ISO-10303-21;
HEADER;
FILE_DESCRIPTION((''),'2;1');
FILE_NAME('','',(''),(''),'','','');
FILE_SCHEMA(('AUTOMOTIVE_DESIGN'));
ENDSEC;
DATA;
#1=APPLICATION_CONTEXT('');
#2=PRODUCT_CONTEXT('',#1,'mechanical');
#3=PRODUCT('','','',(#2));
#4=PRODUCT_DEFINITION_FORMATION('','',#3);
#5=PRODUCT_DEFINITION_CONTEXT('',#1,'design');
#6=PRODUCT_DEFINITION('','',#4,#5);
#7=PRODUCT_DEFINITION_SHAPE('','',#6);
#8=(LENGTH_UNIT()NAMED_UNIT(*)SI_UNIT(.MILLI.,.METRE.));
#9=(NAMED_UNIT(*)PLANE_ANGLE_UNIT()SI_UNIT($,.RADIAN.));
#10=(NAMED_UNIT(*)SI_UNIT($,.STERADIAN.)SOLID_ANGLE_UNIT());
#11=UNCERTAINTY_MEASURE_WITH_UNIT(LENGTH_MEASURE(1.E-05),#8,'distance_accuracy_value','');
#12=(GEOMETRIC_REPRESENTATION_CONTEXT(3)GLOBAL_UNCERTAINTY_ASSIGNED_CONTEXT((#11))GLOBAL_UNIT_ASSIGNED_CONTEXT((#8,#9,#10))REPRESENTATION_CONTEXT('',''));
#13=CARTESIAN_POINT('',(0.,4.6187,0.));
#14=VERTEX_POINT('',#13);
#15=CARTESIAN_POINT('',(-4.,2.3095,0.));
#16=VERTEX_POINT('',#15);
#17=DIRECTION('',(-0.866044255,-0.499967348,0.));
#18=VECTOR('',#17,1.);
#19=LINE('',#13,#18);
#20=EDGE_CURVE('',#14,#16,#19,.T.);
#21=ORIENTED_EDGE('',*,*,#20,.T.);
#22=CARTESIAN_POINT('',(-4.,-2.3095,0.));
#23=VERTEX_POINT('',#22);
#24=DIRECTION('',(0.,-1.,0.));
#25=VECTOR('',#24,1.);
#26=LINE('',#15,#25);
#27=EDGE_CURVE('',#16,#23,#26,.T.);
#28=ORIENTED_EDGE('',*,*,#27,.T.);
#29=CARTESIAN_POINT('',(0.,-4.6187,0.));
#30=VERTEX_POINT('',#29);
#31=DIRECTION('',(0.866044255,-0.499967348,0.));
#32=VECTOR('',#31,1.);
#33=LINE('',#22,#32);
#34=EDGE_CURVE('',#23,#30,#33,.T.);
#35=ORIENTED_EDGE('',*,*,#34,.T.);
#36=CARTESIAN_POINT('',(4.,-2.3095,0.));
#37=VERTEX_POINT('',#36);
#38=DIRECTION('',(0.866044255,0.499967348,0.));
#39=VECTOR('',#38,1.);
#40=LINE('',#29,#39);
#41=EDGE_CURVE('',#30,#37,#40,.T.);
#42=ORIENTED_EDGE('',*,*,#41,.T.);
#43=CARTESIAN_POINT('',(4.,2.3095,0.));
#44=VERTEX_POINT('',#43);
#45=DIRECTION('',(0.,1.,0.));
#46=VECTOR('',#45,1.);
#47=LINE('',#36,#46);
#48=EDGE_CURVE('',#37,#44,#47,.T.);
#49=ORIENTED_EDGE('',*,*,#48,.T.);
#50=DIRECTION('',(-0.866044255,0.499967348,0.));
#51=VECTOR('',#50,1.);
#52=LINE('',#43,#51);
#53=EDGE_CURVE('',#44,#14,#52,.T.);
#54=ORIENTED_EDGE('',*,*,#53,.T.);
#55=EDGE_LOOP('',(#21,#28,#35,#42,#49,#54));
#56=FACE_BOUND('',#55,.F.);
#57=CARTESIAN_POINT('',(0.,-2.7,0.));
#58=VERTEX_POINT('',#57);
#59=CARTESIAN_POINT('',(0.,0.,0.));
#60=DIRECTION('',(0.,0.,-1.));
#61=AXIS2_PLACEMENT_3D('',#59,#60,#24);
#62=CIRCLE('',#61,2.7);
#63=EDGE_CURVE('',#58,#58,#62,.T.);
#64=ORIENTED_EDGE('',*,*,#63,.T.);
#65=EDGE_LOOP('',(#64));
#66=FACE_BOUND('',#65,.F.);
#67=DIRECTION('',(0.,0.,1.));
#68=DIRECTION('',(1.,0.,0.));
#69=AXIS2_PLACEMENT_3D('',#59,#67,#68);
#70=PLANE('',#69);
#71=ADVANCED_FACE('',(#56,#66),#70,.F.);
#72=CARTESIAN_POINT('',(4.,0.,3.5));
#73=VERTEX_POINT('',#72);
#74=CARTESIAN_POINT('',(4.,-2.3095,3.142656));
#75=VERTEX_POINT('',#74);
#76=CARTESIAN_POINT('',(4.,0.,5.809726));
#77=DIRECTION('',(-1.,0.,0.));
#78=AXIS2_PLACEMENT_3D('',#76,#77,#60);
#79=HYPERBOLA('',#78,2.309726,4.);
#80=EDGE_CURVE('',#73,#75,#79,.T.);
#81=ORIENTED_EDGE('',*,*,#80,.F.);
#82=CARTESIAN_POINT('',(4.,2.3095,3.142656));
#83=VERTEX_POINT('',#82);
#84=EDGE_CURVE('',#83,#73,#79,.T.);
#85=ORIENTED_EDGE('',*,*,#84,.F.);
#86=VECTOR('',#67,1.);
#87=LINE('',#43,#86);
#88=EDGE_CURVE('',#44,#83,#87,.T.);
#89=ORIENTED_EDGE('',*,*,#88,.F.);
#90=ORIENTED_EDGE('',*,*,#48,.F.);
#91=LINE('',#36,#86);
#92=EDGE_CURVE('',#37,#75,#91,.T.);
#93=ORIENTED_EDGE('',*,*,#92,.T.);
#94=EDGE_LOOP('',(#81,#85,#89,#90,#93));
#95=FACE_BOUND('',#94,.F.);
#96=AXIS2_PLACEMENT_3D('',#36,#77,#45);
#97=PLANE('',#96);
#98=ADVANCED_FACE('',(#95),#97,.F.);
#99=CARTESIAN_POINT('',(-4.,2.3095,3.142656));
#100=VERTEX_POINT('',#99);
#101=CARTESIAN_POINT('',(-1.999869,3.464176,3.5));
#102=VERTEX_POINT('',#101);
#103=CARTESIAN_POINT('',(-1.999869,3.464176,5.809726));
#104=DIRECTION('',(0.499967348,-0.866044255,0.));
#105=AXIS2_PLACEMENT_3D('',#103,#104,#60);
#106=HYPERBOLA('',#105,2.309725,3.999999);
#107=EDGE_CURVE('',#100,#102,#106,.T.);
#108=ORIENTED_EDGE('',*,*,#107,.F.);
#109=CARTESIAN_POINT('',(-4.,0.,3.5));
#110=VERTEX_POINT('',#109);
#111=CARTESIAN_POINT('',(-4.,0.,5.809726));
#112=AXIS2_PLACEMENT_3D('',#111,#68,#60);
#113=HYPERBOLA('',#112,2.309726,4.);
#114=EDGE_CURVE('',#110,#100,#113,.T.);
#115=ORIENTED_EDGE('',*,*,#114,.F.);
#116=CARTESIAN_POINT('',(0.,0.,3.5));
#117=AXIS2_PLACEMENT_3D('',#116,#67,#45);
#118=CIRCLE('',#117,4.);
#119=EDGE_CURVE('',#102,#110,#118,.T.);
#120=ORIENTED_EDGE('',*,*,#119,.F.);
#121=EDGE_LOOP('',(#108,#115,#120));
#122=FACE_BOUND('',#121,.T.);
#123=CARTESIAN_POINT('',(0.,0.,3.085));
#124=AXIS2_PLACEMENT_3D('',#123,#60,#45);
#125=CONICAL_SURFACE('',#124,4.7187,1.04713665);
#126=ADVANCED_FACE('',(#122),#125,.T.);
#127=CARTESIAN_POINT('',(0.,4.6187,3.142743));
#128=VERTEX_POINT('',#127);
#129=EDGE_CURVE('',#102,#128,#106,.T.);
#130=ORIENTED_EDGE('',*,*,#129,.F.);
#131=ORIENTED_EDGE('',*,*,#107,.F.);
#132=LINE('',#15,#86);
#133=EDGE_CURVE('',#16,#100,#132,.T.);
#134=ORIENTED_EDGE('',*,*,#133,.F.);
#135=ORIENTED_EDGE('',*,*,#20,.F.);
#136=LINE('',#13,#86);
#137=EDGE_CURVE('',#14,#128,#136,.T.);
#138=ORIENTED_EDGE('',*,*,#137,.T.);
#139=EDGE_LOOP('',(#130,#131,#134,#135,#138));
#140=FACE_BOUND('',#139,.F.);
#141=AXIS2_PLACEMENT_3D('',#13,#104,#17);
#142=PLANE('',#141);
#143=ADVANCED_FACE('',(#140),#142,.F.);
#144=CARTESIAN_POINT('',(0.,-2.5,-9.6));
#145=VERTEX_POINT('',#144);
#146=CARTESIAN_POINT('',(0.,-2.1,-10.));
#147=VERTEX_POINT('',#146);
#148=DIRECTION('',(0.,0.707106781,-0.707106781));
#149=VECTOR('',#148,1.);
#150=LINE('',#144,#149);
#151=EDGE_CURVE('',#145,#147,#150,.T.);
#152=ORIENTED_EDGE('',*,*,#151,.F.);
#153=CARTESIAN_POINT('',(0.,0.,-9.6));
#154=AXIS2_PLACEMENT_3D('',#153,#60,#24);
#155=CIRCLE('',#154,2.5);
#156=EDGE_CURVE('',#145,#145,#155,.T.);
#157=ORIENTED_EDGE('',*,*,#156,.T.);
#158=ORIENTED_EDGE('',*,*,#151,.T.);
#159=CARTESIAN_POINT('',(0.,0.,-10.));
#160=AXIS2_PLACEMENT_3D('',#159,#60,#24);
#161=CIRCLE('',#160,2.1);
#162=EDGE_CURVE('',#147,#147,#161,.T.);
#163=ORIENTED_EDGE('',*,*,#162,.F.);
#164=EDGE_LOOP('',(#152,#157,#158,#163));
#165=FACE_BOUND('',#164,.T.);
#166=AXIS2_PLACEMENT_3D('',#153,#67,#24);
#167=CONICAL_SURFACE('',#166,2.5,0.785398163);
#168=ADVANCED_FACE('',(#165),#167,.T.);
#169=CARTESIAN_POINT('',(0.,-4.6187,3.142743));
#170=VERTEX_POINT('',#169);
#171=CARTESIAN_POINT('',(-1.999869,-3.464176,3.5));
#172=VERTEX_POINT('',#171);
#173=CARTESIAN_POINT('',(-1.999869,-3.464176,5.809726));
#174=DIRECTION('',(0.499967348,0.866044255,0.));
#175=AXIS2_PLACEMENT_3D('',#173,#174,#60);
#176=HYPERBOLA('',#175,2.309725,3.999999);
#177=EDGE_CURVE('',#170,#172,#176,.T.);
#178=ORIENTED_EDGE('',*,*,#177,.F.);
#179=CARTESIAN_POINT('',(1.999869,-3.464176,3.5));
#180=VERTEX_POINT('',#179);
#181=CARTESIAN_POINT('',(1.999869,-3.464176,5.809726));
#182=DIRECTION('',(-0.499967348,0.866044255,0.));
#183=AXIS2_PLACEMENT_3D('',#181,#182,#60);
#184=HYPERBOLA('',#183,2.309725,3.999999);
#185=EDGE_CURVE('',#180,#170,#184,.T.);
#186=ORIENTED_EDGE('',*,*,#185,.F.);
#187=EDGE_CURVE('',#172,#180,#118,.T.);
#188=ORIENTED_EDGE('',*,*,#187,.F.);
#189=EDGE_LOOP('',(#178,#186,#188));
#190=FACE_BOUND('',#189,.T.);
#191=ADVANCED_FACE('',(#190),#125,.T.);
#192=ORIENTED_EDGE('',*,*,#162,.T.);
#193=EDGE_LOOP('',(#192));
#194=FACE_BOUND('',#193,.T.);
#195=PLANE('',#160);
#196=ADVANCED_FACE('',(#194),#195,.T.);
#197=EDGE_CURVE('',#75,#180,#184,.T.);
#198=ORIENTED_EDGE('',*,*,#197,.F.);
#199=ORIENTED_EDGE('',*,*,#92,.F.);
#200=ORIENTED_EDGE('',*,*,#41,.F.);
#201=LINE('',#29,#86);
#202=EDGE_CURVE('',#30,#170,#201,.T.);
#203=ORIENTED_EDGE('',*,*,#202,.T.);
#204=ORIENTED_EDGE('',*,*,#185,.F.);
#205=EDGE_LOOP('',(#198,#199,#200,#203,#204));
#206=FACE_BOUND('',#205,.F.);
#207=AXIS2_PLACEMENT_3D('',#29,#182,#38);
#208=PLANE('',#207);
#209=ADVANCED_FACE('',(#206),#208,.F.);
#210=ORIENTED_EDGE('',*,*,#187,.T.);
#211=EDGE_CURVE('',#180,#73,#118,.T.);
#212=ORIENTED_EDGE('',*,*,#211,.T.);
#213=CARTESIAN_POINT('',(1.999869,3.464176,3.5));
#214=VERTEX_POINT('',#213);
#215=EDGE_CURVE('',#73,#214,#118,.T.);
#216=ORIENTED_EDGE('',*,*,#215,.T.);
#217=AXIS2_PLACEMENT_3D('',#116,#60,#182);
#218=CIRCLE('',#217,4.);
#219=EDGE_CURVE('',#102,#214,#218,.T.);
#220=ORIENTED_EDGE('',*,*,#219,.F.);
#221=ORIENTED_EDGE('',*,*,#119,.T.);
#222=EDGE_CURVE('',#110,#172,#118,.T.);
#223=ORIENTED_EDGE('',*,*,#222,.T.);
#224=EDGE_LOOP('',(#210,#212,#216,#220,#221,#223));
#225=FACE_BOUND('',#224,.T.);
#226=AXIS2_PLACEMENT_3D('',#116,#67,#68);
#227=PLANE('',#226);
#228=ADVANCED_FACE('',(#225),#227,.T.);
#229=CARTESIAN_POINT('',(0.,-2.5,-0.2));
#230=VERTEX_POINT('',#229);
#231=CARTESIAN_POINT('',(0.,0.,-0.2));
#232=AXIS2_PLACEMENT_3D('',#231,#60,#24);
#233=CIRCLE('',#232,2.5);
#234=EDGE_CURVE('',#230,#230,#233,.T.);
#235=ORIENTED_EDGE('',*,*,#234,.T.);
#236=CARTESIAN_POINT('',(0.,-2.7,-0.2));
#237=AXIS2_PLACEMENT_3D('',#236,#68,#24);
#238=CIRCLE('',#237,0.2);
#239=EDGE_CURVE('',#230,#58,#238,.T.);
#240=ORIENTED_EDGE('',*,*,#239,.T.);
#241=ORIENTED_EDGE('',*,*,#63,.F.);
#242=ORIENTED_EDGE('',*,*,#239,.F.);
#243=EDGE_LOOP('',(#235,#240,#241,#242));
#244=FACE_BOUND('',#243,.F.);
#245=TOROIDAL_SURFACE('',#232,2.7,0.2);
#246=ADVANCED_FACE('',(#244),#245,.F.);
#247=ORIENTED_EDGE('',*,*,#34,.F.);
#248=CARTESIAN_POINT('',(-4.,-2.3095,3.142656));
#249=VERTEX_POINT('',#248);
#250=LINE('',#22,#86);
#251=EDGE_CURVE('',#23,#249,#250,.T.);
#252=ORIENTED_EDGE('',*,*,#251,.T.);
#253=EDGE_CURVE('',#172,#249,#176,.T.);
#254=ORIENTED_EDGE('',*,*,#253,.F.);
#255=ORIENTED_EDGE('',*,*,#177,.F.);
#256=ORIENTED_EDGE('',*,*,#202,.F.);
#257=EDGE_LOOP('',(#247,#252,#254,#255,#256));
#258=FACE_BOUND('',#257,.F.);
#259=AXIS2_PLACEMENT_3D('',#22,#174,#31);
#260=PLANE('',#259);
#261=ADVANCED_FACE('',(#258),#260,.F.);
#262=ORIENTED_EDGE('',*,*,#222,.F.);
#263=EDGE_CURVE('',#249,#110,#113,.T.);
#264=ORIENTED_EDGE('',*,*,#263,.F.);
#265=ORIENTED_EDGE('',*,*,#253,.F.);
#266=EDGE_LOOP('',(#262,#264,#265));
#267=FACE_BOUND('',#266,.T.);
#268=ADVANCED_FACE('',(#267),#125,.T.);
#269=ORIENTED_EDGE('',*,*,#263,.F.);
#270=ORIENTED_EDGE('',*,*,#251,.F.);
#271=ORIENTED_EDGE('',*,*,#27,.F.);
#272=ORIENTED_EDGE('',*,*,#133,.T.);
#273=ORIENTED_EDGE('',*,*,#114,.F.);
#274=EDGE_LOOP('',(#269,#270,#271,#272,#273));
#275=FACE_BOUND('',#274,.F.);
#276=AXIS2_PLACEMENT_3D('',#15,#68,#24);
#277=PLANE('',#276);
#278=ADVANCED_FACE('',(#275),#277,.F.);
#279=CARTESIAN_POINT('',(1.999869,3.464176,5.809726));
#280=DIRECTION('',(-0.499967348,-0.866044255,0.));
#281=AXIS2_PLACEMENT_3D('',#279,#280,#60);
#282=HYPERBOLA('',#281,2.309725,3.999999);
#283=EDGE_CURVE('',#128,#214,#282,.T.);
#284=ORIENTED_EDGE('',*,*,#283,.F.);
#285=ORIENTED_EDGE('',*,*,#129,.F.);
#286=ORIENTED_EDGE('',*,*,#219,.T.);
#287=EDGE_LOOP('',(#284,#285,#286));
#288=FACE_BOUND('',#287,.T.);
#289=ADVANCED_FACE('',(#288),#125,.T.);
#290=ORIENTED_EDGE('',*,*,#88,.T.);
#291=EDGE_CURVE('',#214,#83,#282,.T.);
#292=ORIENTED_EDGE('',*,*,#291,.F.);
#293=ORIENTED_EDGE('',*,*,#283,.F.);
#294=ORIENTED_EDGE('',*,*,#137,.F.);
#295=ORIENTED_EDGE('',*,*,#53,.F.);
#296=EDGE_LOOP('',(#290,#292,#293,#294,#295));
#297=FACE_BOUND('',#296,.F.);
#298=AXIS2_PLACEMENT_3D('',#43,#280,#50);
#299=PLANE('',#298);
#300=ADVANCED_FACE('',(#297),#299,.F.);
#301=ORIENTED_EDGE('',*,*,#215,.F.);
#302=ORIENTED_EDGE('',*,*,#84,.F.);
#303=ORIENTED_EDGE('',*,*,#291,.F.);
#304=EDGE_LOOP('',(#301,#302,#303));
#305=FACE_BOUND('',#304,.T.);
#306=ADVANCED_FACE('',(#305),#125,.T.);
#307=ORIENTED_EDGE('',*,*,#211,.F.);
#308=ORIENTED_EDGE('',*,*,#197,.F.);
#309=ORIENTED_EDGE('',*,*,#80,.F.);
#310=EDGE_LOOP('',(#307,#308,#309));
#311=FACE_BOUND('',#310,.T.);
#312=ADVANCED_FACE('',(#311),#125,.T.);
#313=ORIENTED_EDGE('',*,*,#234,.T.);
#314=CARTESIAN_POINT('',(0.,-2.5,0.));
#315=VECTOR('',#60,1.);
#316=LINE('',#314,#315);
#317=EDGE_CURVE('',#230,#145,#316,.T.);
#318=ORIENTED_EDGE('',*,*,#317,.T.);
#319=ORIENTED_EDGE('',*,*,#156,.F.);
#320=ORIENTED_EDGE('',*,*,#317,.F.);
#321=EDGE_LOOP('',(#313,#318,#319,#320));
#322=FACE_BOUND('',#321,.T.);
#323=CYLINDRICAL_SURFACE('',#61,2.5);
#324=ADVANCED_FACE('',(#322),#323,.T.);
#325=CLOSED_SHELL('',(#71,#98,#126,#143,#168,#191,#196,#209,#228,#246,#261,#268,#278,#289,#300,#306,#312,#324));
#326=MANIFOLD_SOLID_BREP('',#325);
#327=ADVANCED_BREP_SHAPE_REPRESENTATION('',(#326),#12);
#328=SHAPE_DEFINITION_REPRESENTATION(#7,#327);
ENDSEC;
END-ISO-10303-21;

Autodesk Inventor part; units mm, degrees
ref_plane "WorkPlane1" through (0, 0, 0) normal (0, 0, 1) x (1, 0, 0)
sketch "Sketch1" plane through (0, 0, 0) normal (0, 0, 1) x (1, 0, 0)
  point P0 (0, 0)
sketch "Sketch2" plane through (0, 0, 0) normal (0, 0, 1) x (1, 0, 0)
  line L0 (-4, 2.3095) -> (-4, -2.3095)
  line L1 (0, 4.6187) -> (-4, 2.3095)
  line L2 (4, 2.3095) -> (0, 4.6187)
  line L3 (4, -2.3095) -> (4, 2.3095)
  line L4 (0, -4.6187) -> (4, -2.3095)
  line L5 (-4, -2.3095) -> (0, -4.6187)
  circle A0 centre (0, 0) radius 4 construction
  dimension "d1" = 8
  dimension "d29" = 0
  dimension "d30" = 0
extrude "Extrusion1" add sketch "Sketch2" along normal blind 3.5
sketch "Sketch3" plane through (0, 0, 0) normal (1, 0, 0) x (0, 1, 0)
  line L0 (4, 3.5) -> (4.7187, 3.5)
  line L1 (4.7187, 3.085) -> (4, 3.5)
  line L2 (4.7187, 3.5) -> (4.7187, 3.085)
  line L3 (0, -0.7) -> (0, 4.2) projected
  line L4 (4.6187, 0) -> (4.6187, 3.5) projected
  dimension "d25" = 0.1
  dimension "d26" = 0
  dimension "d27" = 60
  dimension "d28" = 4
revolve "Revolution1" cut sketch "Sketch3" angle 360 about axis through (0, 0, -10) along (0, 0, 1)
sketch "Sketch4" plane through (0, 0, 0) normal (1, 0, 0) x (0, 1, 0)
  line L0 (0, -10) -> (0, 0)
  line L1 (-2.5, -10) -> (0, -10)
  line L2 (-2.5, 0) -> (-2.5, -10)
  line L3 (0, 0) -> (-2.5, 0)
  line L4 (0, -10) -> (0, 0)
  line L5 (-3, 0) -> (0.5, 0) projected
  line L6 (0, -12) -> (0, 2) projected
  dimension "d18" = 2.5
  dimension "d20" = 10
  dimension "d33" = 0
  dimension "d34" = 0
revolve "Revolution2" add sketch "Sketch4" angle 360 about axis through (0, 0, -10) along (0, 0, -1)
chamfer "Chamfer1" distance 0.4 angle 45 1 edges at (0, 2.5, -10)
fillet "Fillet1" radius 0.2 1 edges at (0, 2.5, 0)
thread "Thread1" size "M5x0.8" class "6g" standard "ISO Metric profile" length 8.4
ref_plane "MSC_PF1" through (0, 0, 0) normal (1, 0, 0) x (0, 1, 0)
ref_plane "MSC_PT1" through (0, 0, 0) normal (0, 0, -1) x (-1, 0, 0)
equation "\"d22\" = 0.5 * PTC"
equation "\"d23\" = 0.5 * PTC"
equation "\"d24\" = r"
equation "\"d1\" = ParS"
equation "\"d6\" = ParK"
equation "\"b\" = NLG - 2 * PTC"
equation "\"d28\" = 0.5 * ParS"
equation "\"d18\" = 0.5 * NND"
equation "\"d20\" = NLG"
equation "\"NND\" = 5"
equation "\"NLG\" = 10"
equation "\"PTC\" = 0.8"
equation "\"ParK\" = 3.5"
equation "\"ParS\" = 8"
equation "\"msp_es\" = 0.577367 * ParS"
equation "\"r\" = 0.2"
equation "\"THREADDIA\" = NND"
properties part number "ISO 4018 - M5 x 10" material "Steel"
